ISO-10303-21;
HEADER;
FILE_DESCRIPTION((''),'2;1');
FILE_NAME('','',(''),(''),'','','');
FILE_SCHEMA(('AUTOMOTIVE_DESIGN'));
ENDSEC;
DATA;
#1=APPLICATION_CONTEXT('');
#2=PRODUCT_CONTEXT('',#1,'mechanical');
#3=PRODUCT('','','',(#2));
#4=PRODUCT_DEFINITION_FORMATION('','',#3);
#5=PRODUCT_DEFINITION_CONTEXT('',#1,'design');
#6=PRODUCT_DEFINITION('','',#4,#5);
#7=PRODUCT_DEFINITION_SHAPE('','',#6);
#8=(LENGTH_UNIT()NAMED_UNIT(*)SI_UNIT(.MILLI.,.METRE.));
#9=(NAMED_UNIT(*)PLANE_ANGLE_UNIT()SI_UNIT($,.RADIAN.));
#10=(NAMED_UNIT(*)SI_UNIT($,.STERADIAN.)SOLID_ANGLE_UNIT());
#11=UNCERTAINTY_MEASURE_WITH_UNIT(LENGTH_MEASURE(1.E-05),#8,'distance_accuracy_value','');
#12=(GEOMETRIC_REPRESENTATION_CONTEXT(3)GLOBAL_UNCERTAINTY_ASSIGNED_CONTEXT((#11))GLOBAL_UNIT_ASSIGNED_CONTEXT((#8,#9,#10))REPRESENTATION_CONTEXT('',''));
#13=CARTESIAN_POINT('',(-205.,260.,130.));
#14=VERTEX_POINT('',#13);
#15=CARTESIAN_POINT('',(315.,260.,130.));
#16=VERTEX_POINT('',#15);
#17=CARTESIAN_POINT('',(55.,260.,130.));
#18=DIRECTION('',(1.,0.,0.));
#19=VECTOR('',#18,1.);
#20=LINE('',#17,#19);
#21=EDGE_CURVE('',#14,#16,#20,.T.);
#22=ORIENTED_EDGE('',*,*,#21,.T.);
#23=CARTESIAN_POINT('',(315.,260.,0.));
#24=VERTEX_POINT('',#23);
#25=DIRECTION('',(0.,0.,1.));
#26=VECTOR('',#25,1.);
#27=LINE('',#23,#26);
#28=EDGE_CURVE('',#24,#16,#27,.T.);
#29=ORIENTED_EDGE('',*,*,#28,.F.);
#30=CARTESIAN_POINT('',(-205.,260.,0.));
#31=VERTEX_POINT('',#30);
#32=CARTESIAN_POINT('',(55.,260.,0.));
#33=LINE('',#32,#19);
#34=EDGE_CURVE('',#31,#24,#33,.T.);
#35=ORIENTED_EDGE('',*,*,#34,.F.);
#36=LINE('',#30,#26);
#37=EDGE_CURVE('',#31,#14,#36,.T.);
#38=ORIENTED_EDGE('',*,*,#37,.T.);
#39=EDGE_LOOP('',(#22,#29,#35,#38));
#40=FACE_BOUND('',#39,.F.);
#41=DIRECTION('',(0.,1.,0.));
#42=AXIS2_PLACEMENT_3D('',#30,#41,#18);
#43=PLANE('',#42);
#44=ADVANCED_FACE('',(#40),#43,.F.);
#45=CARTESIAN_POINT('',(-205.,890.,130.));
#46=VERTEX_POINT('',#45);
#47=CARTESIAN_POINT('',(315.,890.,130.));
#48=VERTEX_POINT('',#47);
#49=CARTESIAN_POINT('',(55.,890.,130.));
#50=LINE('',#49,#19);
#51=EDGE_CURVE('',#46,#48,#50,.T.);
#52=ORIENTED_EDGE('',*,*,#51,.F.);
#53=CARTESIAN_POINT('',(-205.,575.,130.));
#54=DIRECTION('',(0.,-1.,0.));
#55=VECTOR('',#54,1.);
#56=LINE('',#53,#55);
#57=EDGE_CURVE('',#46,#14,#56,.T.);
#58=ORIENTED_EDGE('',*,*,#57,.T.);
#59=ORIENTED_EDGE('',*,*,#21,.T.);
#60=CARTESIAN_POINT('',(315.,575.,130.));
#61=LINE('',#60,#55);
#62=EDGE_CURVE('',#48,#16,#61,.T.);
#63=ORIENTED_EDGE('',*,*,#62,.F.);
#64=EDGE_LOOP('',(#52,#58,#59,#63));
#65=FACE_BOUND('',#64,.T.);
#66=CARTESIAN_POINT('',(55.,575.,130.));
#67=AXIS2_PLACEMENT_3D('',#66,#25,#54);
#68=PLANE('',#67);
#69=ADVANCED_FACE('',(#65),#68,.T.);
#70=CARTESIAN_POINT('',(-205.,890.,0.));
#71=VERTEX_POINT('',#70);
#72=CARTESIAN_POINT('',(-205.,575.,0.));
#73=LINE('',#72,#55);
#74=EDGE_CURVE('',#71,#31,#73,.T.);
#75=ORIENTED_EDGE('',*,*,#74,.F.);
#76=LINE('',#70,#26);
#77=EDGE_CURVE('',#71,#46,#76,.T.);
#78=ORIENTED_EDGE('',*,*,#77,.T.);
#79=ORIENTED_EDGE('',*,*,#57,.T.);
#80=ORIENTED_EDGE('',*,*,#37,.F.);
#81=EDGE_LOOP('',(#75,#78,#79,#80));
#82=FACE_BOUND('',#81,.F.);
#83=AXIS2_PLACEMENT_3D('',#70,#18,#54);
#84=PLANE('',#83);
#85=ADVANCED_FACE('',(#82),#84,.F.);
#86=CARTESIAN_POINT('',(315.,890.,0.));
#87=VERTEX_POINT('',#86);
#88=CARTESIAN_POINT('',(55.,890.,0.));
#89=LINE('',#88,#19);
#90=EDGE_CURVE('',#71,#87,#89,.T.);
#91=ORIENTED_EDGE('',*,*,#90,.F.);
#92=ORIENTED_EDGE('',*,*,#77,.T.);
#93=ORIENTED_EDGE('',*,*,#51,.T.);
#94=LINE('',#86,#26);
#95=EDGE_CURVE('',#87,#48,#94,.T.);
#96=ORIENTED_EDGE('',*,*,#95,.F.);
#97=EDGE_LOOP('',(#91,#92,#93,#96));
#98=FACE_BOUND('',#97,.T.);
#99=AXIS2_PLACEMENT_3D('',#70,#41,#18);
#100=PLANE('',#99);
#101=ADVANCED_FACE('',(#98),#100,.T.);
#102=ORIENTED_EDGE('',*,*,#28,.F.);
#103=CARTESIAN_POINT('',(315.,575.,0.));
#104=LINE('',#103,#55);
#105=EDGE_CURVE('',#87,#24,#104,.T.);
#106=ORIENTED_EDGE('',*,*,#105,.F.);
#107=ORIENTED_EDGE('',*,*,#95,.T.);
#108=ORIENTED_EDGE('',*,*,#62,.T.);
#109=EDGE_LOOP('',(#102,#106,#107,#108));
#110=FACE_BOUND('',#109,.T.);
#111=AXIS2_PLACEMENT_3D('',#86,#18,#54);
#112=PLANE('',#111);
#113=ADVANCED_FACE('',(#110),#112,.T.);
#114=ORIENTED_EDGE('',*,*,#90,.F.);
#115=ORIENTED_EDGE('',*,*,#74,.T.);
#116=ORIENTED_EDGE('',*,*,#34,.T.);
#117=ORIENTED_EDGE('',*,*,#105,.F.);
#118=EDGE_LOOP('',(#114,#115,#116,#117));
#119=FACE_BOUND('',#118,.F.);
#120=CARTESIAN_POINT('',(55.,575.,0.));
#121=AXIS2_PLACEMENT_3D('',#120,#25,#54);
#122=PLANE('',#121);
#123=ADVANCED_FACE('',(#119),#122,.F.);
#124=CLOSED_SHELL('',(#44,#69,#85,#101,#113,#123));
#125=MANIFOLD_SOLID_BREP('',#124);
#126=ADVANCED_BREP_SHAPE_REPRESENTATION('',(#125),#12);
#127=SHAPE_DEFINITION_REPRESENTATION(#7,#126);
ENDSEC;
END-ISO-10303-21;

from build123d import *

# Parameters (mm, degrees)
F0_W     = 630
F0_H     = 520
F1_DEPTH = 130
F2_ANGLE = 90


with BuildPart() as f1:
    # F0 (on Top) → F1 (new body)
    with BuildSketch(Plane.XY):
        Rectangle(F0_W, F0_H)
    extrude(amount=F1_DEPTH)


with BuildPart() as f1_1:
    # F2: moved
    add(f1.part.rotate(Axis((315, 260, 65), (0, 0, -1)), F2_ANGLE))


solid = f1_1.part
